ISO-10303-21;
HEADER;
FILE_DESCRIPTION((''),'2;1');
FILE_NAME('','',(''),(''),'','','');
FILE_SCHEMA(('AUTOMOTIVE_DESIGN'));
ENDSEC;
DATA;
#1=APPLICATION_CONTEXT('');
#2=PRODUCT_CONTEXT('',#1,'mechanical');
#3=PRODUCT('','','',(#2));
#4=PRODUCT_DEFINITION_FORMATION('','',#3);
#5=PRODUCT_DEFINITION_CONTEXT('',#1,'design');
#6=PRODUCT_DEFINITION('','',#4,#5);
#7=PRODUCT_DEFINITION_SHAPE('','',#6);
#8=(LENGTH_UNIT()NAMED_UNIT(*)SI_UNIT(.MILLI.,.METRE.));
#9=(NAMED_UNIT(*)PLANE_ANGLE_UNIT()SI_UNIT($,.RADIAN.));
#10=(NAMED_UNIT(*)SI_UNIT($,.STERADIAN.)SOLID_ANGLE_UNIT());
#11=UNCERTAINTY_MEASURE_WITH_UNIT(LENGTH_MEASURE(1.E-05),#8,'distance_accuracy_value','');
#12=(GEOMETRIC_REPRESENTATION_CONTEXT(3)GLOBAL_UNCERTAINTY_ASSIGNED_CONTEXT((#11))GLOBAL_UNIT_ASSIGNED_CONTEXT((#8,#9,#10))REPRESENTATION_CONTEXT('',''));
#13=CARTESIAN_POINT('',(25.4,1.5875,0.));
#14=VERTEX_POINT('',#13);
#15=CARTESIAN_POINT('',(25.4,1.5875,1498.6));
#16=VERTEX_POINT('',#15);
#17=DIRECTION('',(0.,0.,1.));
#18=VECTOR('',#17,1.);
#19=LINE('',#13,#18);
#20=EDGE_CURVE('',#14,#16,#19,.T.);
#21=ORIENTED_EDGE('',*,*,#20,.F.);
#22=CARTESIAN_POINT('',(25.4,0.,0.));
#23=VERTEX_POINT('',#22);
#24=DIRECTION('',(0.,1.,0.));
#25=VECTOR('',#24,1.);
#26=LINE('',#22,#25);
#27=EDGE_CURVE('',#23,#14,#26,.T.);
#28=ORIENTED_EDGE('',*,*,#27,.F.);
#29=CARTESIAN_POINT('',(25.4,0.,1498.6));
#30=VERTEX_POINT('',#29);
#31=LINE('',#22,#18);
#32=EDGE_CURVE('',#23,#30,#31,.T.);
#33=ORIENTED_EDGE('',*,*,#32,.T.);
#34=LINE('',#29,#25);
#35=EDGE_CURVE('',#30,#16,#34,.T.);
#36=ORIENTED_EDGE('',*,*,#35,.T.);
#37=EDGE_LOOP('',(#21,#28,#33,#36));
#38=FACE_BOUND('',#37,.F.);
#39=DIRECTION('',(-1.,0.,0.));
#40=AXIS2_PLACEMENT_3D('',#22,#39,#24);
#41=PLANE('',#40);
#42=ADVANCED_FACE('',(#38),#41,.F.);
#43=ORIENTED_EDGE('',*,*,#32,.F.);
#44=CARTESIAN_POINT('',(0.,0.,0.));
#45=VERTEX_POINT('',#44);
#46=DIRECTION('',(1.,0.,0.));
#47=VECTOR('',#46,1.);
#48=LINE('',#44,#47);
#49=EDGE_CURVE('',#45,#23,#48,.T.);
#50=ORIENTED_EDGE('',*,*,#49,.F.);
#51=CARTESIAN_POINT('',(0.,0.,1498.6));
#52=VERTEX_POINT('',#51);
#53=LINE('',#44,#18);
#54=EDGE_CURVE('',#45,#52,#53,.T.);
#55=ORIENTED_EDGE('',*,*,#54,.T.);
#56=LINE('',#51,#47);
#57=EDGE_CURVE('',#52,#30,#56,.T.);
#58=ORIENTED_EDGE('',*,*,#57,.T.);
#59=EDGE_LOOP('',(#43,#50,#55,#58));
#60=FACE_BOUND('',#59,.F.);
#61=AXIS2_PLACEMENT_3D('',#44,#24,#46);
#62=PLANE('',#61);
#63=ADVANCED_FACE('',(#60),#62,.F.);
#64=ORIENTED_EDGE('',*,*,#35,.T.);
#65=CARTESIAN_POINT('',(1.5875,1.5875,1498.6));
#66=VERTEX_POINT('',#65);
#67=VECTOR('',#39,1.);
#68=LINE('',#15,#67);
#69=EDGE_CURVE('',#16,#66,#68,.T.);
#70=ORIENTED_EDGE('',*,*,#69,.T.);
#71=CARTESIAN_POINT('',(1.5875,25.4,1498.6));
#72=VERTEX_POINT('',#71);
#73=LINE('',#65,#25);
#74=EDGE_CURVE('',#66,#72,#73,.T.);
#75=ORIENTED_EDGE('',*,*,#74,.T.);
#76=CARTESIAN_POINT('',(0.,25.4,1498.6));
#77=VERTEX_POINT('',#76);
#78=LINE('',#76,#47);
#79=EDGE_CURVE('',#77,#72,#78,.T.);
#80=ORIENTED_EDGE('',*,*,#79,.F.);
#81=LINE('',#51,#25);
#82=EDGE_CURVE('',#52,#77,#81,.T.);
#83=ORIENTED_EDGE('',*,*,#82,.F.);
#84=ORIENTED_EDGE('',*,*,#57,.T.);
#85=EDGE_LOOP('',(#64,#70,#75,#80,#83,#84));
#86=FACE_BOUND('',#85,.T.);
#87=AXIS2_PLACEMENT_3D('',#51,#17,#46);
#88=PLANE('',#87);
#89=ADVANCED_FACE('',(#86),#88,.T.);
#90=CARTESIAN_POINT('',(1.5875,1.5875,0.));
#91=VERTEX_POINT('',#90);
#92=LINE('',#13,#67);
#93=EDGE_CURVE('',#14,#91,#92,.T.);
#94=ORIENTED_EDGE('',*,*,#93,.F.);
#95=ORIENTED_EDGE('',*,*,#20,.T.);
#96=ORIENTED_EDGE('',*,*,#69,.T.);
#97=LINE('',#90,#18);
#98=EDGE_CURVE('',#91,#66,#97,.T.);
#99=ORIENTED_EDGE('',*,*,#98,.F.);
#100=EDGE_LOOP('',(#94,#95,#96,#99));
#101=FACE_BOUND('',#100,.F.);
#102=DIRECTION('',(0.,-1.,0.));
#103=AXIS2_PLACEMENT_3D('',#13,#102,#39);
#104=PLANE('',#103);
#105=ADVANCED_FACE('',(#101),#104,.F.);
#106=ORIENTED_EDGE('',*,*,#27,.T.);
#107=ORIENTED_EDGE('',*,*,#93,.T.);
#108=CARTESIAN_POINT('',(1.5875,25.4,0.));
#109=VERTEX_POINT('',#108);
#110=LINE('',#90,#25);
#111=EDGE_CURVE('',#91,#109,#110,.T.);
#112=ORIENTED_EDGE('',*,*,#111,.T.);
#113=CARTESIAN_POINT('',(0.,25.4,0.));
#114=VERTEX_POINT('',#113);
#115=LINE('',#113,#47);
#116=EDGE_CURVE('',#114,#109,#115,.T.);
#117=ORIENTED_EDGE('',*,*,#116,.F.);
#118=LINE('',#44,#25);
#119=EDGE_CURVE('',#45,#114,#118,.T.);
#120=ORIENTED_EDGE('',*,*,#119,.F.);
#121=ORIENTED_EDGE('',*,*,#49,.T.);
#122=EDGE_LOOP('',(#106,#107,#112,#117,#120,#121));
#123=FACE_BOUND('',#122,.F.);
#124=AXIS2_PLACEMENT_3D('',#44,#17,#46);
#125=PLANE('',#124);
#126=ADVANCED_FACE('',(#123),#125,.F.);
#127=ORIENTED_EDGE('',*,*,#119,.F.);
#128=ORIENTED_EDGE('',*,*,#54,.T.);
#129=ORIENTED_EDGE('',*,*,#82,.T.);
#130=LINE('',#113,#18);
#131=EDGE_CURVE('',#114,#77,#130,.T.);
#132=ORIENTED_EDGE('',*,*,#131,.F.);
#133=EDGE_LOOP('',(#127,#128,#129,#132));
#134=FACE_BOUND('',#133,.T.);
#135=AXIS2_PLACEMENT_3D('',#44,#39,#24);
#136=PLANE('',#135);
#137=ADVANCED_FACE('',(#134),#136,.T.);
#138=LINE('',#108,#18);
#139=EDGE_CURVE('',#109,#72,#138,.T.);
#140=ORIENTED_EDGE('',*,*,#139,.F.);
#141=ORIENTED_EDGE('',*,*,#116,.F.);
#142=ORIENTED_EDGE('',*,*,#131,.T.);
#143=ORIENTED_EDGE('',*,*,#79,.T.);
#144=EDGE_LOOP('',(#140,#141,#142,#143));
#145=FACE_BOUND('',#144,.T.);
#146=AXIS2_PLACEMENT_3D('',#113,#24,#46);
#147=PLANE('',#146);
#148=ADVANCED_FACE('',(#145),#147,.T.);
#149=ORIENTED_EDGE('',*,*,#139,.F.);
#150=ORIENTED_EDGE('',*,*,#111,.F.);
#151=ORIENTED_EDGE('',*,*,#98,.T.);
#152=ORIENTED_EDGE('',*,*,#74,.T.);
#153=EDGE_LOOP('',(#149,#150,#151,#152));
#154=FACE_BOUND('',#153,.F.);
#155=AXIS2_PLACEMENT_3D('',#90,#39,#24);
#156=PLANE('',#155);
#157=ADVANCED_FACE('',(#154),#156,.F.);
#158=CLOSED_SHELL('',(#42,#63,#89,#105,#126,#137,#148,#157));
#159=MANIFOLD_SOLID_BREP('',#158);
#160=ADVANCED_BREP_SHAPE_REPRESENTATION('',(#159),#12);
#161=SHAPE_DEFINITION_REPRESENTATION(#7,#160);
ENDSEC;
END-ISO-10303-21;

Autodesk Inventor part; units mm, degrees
ref_plane "YZ Plane" through (0, 0, 0) normal (1, 0, 0) x (0, 1, 0)
ref_plane "XZ Plane" through (0, 0, 0) normal (0, 1, 0) x (-1, 0, 0)
ref_plane "XY Plane" through (0, 0, 0) normal (0, 0, 1) x (1, 0, 0)
sketch "Sketch1" plane through (0, 0, 0) normal (0, 0, 1) x (1, 0, 0)
  line L0 (0, 0) -> (25.4, 0)
  line L1 (25.4, 0) -> (25.4, 1.5875)
  line L2 (25.4, 1.5875) -> (1.5875, 1.5875)
  line L3 (0, 0) -> (0, 25.4)
  line L4 (0, 25.4) -> (1.5875, 25.4)
  line L5 (1.5875, 1.5875) -> (1.5875, 25.4)
  dimension "d0" = 25.4
  dimension "d1" = 1.5875
  dimension "d2" = 25.4
  dimension "d3" = 1.5875
extrude "Extrusion1" add sketch "Sketch1" along normal blind 1498.6
properties part number "LBracketVersaFrame-1111-2018"
